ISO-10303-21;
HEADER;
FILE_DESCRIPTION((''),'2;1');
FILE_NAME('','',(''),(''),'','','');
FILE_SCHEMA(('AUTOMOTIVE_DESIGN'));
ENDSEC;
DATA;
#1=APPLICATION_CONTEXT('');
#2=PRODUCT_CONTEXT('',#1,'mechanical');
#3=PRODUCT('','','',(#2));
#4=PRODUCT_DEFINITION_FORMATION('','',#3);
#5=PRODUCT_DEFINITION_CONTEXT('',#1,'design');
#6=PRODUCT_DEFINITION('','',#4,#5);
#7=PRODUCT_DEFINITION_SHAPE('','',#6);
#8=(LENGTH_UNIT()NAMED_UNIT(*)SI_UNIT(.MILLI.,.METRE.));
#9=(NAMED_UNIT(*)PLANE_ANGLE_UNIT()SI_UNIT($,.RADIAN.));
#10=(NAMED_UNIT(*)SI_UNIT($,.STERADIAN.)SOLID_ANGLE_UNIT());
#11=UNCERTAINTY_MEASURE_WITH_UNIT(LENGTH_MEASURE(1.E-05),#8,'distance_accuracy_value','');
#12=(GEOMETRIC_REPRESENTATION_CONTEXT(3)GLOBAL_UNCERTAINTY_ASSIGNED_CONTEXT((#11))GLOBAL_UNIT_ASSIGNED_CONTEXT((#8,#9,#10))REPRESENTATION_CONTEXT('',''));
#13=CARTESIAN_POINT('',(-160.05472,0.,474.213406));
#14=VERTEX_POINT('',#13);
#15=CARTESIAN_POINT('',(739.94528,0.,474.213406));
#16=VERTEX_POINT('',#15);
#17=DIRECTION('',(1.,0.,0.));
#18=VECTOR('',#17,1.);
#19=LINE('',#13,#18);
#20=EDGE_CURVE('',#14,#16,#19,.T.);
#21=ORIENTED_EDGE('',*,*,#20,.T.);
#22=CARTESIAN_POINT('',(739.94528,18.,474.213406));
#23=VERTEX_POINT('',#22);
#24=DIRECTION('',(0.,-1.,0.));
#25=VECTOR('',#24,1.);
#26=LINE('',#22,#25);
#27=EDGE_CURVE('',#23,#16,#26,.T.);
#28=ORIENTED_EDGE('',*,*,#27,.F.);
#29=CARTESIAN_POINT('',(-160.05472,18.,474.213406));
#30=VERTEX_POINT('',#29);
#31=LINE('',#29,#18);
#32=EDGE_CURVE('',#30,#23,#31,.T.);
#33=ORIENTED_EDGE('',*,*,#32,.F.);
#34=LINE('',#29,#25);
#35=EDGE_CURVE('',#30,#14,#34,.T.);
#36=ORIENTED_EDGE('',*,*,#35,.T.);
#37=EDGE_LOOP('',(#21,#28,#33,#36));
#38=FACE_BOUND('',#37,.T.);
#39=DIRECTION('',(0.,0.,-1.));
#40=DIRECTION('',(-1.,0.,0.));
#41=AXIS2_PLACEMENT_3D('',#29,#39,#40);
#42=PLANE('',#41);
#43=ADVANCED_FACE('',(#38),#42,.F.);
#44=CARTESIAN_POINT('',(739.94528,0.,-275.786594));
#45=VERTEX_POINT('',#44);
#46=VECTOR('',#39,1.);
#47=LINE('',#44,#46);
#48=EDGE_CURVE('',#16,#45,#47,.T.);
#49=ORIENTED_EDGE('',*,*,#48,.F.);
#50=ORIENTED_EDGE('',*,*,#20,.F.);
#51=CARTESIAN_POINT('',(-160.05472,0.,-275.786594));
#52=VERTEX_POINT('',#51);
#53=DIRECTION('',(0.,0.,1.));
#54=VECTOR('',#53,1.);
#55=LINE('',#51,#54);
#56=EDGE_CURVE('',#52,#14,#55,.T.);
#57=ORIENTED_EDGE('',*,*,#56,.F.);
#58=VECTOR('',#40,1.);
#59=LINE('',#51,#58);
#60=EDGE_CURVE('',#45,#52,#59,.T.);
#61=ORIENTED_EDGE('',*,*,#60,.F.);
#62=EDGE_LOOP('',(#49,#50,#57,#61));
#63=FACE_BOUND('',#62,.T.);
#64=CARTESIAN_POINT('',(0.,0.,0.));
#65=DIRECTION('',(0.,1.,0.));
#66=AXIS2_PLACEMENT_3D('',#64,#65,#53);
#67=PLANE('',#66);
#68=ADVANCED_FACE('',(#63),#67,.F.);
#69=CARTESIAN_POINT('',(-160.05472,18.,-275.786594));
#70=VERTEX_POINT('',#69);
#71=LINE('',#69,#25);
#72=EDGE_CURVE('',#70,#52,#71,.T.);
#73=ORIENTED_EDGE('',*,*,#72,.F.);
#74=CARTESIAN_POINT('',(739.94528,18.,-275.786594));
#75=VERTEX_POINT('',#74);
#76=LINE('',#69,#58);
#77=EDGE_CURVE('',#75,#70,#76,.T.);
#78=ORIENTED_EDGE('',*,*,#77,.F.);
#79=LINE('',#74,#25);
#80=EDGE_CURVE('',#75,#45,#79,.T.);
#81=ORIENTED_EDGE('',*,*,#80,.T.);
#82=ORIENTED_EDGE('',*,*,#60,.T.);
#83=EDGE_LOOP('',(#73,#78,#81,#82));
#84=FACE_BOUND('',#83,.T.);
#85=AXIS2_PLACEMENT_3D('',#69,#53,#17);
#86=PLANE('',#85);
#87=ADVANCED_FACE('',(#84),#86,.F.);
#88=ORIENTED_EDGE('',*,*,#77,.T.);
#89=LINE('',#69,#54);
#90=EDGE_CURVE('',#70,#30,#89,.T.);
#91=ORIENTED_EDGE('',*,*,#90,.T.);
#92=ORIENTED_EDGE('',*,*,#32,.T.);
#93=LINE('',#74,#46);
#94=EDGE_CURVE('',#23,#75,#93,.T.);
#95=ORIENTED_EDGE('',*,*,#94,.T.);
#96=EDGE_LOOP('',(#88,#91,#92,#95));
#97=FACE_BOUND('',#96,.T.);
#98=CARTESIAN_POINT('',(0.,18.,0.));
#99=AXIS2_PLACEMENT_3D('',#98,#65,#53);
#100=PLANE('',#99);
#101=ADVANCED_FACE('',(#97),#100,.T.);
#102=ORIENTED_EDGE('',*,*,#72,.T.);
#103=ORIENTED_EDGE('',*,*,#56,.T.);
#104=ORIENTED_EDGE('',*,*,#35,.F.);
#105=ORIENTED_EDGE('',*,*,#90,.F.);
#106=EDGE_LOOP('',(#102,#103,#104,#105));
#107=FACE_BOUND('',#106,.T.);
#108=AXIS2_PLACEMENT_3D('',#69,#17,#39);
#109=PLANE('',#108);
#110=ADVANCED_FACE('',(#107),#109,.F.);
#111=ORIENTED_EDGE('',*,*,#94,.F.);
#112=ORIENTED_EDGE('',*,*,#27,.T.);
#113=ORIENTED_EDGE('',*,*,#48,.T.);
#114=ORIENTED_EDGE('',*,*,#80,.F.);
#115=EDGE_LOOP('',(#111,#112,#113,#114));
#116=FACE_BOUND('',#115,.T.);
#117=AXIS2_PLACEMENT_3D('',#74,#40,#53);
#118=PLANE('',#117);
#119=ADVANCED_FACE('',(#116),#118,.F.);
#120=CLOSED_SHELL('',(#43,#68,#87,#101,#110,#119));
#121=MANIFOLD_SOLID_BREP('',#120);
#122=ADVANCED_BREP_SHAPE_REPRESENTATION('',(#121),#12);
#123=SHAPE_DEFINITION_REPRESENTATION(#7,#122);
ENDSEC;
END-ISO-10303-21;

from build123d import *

# Parameters (mm, degrees)
SKETCH_1_W      = 900
SKETCH_1_H      = 750
EXTRUDE_1_DEPTH = 18


with BuildPart() as part:
    # 草图1 → 凸台-拉伸1 (new body)
    with BuildSketch(Plane(origin=(0, 0, 0), x_dir=(1, 0, 0), z_dir=(0, 1, 0))):
        with Locations((289.945280438, -99.213406293)):
            Rectangle(SKETCH_1_W, SKETCH_1_H)
    extrude(amount=EXTRUDE_1_DEPTH)


solid = part.part
